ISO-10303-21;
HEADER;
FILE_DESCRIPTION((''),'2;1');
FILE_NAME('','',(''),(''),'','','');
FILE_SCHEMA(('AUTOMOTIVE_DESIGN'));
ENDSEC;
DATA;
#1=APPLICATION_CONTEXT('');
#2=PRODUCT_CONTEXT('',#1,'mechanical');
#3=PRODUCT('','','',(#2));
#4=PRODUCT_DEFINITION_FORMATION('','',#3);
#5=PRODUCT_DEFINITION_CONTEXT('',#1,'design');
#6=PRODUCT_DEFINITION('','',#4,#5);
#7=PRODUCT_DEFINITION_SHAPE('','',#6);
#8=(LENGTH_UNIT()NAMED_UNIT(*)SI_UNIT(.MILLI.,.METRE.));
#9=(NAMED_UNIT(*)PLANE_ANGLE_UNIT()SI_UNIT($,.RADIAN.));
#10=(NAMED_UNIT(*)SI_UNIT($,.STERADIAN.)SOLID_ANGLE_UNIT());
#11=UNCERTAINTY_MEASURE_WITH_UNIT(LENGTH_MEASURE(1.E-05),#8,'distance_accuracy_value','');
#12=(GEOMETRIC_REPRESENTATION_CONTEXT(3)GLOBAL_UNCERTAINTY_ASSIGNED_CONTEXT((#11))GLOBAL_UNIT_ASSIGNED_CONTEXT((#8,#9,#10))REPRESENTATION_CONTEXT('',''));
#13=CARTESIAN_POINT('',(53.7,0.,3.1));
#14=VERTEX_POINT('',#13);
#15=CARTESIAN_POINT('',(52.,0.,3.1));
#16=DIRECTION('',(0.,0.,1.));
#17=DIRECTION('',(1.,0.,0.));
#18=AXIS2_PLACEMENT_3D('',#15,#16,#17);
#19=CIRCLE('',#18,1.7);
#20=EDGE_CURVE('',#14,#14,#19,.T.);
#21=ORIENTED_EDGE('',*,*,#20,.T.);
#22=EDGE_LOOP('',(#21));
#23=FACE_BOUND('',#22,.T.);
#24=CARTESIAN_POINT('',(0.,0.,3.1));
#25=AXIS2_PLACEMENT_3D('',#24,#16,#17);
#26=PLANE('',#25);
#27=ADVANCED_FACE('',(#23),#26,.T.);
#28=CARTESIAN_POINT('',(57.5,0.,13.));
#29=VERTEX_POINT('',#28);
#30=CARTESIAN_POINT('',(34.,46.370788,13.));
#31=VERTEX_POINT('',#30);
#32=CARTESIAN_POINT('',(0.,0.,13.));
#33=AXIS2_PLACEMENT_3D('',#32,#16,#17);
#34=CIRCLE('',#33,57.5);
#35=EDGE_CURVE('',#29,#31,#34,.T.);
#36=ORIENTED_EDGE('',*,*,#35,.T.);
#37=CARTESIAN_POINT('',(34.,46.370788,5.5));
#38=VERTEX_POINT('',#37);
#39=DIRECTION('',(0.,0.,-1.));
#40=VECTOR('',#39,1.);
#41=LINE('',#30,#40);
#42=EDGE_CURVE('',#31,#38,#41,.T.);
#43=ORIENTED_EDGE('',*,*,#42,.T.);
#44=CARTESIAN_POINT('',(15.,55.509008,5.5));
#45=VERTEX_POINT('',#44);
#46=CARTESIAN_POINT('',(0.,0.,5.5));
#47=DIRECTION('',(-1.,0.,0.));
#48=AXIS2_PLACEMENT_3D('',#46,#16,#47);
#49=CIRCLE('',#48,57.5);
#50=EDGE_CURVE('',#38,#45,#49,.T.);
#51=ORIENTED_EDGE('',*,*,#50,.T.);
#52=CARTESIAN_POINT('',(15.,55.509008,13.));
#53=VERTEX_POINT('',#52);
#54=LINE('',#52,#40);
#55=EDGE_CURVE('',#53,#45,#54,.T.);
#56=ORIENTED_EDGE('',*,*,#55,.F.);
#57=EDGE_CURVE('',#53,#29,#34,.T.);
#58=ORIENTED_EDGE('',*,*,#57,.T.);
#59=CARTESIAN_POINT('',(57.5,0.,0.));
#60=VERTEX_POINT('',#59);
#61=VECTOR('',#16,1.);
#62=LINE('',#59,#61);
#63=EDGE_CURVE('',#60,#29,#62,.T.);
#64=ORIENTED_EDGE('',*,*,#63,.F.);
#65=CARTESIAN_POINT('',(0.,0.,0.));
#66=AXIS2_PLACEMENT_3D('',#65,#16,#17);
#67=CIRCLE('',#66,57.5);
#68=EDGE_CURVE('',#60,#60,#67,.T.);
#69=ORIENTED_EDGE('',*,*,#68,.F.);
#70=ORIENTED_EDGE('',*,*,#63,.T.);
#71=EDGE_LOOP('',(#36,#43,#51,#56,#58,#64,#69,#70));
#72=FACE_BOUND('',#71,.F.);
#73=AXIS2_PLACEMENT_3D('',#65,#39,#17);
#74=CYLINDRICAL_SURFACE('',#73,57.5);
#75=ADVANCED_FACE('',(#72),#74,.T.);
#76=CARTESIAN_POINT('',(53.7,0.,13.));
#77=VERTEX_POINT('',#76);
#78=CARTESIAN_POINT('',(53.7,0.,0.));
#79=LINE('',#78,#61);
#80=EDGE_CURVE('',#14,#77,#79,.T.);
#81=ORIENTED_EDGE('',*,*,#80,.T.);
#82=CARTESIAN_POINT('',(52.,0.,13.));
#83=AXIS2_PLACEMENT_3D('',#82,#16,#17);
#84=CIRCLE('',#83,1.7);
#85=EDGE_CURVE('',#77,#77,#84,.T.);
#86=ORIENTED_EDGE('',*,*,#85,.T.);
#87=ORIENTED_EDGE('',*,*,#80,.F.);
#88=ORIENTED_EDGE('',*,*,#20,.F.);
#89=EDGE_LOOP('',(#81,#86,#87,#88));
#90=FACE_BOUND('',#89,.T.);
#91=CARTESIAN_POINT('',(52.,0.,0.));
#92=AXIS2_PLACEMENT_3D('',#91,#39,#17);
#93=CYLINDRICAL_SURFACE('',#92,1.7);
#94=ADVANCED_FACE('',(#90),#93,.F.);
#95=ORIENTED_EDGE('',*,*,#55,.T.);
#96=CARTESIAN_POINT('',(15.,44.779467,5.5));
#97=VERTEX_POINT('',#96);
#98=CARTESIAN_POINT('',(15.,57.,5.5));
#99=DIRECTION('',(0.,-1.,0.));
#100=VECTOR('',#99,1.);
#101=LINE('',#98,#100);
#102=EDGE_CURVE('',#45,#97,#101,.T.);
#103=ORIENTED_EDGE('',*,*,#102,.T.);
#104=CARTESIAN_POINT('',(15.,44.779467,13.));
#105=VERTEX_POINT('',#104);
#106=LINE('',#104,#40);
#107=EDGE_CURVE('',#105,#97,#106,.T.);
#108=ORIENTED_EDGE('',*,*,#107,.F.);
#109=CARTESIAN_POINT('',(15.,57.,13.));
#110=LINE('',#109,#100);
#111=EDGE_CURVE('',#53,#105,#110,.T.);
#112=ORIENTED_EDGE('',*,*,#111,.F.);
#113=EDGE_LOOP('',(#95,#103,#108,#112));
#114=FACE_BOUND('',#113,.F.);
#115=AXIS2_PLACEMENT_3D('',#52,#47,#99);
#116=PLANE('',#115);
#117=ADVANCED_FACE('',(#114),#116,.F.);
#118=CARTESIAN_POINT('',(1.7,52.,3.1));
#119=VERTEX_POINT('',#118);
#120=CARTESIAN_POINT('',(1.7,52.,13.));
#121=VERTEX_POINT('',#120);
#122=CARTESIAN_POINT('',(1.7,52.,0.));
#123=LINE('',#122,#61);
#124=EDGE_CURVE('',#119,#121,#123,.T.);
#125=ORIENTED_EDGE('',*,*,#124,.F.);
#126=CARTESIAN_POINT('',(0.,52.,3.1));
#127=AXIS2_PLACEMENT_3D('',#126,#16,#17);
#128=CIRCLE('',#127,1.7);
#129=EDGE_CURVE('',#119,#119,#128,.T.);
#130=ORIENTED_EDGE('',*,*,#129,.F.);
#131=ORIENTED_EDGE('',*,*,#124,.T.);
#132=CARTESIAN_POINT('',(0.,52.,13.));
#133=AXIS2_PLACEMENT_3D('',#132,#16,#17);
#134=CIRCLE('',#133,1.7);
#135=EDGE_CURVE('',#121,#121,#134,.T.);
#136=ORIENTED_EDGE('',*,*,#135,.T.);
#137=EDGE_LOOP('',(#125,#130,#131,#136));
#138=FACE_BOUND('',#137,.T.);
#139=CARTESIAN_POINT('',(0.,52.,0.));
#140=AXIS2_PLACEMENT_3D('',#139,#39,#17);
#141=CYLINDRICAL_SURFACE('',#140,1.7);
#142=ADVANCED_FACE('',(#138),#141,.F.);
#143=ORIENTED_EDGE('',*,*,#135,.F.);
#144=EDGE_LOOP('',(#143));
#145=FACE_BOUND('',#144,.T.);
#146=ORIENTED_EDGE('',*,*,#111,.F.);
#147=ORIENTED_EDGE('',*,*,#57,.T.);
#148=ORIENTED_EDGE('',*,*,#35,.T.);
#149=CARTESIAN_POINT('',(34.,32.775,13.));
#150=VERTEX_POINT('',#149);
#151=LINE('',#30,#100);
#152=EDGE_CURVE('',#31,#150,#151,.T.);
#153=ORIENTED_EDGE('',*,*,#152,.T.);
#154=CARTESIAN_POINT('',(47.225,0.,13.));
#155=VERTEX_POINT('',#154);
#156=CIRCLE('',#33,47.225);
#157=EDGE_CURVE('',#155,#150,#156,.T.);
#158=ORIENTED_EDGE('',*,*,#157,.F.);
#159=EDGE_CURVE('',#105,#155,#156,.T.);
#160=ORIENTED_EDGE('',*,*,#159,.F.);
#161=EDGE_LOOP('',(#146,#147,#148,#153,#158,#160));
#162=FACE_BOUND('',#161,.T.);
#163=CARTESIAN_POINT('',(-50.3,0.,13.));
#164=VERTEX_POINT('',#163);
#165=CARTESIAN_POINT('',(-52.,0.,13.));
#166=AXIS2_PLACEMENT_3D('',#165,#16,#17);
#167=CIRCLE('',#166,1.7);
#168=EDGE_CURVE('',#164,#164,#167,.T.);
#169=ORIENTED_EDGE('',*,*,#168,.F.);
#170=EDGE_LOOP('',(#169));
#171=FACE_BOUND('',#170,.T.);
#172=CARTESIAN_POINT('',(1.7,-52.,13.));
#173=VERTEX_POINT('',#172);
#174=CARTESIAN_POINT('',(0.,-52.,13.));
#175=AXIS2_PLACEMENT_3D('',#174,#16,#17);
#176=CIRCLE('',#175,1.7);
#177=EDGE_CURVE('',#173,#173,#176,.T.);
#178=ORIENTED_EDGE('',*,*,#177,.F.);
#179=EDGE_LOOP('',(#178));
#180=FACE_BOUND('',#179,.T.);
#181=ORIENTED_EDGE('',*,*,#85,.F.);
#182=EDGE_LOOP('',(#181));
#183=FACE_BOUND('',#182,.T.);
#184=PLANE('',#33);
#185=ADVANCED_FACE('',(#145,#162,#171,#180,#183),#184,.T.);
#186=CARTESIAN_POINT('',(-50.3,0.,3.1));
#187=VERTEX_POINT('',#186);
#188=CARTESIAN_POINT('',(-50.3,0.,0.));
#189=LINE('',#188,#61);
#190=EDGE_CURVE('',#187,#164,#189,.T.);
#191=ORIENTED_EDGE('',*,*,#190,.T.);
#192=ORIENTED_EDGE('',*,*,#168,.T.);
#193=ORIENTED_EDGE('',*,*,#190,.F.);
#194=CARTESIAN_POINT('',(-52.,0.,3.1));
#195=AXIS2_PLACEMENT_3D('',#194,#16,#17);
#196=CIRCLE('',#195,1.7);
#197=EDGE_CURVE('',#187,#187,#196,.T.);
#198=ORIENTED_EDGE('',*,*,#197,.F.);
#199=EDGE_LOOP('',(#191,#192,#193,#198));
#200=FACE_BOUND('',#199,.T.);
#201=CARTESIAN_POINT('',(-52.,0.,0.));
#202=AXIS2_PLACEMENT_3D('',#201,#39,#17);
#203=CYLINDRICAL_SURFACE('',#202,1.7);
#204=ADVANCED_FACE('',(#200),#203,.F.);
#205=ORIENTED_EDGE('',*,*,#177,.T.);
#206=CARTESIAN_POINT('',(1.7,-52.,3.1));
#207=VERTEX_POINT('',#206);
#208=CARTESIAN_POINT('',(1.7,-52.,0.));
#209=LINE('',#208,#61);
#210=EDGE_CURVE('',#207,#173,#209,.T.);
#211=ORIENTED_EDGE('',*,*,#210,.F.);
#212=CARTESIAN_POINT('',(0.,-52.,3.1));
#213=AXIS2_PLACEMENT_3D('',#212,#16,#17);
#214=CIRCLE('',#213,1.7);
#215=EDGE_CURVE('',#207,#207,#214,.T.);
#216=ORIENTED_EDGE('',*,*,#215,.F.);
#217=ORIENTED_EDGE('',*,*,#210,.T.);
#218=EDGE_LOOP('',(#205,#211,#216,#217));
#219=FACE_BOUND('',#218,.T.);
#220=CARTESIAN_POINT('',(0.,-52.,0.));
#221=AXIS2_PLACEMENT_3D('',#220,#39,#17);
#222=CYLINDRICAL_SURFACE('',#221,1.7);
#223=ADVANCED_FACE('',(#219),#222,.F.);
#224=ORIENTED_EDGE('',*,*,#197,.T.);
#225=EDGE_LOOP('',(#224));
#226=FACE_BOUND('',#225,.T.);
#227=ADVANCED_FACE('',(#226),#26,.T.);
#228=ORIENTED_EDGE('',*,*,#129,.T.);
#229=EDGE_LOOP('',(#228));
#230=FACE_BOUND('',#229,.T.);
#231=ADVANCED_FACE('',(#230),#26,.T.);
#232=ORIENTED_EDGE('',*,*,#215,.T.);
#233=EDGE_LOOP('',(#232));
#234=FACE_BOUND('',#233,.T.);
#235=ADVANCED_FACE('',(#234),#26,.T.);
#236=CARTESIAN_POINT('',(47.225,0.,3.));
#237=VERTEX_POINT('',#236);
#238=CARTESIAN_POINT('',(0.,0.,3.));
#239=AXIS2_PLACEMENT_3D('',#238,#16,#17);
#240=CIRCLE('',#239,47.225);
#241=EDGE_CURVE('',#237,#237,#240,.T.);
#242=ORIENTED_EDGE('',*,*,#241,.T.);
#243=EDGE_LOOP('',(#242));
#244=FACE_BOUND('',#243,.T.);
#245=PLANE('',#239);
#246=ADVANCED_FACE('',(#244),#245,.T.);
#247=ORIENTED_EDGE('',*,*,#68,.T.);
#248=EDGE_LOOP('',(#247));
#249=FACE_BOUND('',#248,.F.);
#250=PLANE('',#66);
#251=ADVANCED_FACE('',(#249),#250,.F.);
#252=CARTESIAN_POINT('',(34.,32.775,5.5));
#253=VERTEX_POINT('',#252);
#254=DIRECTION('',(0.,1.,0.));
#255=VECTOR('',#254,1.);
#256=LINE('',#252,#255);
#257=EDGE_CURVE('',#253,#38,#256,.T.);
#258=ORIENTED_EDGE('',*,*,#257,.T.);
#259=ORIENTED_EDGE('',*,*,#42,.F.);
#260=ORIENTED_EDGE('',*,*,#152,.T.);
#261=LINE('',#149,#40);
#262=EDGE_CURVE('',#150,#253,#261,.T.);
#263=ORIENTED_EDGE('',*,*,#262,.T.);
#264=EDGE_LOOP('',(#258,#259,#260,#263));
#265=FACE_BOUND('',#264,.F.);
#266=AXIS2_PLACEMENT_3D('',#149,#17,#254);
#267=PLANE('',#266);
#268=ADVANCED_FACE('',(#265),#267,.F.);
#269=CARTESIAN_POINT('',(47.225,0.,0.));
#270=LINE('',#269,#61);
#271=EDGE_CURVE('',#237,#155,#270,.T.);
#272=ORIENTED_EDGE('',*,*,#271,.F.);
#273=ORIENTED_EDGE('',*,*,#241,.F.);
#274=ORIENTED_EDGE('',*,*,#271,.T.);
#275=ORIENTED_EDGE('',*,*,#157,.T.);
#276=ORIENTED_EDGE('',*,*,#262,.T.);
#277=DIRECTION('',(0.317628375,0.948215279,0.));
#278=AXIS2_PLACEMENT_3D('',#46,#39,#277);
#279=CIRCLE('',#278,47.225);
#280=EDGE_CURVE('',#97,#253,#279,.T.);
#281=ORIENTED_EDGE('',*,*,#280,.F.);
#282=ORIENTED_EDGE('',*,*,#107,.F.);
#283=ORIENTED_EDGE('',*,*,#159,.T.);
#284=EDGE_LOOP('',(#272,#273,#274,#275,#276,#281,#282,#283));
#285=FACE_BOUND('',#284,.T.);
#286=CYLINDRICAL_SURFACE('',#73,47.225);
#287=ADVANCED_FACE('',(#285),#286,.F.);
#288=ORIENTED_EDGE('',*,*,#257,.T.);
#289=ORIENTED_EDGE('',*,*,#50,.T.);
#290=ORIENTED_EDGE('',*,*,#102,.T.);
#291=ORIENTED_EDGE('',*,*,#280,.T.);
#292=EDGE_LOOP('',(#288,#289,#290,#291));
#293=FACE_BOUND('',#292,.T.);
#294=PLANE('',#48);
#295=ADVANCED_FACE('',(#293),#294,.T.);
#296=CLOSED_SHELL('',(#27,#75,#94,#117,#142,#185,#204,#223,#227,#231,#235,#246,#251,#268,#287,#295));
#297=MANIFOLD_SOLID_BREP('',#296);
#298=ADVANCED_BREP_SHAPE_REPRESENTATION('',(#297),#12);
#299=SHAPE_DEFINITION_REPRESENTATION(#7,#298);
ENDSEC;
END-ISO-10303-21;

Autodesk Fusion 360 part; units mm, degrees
sketch "Sketch1" plane through (0, 0, 0) normal (0, 0, 1) x (1, 0, 0)
  circle A0 centre (0, 0) radius 47.225
  circle A1 centre (0, 0) radius 57.5
  circle A2 centre (0, 52) radius 1.7
  circle A3 centre (0, -52) radius 1.7
  circle A4 centre (-52, 0) radius 1.7
  circle A5 centre (52, 0) radius 1.7
  dimension "d1" = 94.45
  dimension "d2" = 115
  dimension "d3" = 3.4
  dimension "d4" = 3.4
  dimension "d5" = 3.4
  dimension "d6" = 3.4
extrude "Extrude4" add sketch "Sketch1" along normal blind 3.1 contours A2 | A3 | A4 | A5 makes body 1 at (53.6979, -0.0847, 2.0667) makes body 2 at (-50.3021, -0.0847, 2.0667) makes body 3 at (-1.5975, 52.5814, 2.0667) makes body 4 at (-1.5975, -51.4186, 2.0667)
extrude "Extrude5" add sketch "Sketch1" along normal blind 13 bodies 1 2 3 4
extrude "Extrude6" add sketch "Sketch1" along normal blind 3 contours A0 bodies 1
sketch "Sketch2" plane through (0, 0, 13) normal (0, 0, 1) x (-1, 0, 0)
  circle A0 centre (0, -52) radius 1.7
  circle A1 centre (52, 0) radius 1.7
  circle A2 centre (0, 52) radius 1.7
  circle A3 centre (-52, 0) radius 1.7
  circle A4 centre (0, 0) radius 47.225
  circle A5 centre (0, 0) radius 57.5
  line L0 (-15, -35) -> (-34, -35)
  line L1 (-34, -35) -> (-34, -57)
  line L2 (-34, -57) -> (-15, -57)
  line L3 (-15, -57) -> (-15, -35)
  line L4 (-34, -35) -> (-15, -35)
  line L5 (-15, -35) -> (-15, -31)
  line L6 (-15, -31) -> (-34, -31)
  line L7 (-34, -31) -> (-34, -35)
extrude "Extrude7" cut sketch "Sketch2" against normal blind 7.5 contours A4 L0 L4 L7 | A4 A5 L0 L1 L3 L4 bodies 1
extrude "Extrude3" [suppressed]
extrude "Extrude2" [suppressed]
